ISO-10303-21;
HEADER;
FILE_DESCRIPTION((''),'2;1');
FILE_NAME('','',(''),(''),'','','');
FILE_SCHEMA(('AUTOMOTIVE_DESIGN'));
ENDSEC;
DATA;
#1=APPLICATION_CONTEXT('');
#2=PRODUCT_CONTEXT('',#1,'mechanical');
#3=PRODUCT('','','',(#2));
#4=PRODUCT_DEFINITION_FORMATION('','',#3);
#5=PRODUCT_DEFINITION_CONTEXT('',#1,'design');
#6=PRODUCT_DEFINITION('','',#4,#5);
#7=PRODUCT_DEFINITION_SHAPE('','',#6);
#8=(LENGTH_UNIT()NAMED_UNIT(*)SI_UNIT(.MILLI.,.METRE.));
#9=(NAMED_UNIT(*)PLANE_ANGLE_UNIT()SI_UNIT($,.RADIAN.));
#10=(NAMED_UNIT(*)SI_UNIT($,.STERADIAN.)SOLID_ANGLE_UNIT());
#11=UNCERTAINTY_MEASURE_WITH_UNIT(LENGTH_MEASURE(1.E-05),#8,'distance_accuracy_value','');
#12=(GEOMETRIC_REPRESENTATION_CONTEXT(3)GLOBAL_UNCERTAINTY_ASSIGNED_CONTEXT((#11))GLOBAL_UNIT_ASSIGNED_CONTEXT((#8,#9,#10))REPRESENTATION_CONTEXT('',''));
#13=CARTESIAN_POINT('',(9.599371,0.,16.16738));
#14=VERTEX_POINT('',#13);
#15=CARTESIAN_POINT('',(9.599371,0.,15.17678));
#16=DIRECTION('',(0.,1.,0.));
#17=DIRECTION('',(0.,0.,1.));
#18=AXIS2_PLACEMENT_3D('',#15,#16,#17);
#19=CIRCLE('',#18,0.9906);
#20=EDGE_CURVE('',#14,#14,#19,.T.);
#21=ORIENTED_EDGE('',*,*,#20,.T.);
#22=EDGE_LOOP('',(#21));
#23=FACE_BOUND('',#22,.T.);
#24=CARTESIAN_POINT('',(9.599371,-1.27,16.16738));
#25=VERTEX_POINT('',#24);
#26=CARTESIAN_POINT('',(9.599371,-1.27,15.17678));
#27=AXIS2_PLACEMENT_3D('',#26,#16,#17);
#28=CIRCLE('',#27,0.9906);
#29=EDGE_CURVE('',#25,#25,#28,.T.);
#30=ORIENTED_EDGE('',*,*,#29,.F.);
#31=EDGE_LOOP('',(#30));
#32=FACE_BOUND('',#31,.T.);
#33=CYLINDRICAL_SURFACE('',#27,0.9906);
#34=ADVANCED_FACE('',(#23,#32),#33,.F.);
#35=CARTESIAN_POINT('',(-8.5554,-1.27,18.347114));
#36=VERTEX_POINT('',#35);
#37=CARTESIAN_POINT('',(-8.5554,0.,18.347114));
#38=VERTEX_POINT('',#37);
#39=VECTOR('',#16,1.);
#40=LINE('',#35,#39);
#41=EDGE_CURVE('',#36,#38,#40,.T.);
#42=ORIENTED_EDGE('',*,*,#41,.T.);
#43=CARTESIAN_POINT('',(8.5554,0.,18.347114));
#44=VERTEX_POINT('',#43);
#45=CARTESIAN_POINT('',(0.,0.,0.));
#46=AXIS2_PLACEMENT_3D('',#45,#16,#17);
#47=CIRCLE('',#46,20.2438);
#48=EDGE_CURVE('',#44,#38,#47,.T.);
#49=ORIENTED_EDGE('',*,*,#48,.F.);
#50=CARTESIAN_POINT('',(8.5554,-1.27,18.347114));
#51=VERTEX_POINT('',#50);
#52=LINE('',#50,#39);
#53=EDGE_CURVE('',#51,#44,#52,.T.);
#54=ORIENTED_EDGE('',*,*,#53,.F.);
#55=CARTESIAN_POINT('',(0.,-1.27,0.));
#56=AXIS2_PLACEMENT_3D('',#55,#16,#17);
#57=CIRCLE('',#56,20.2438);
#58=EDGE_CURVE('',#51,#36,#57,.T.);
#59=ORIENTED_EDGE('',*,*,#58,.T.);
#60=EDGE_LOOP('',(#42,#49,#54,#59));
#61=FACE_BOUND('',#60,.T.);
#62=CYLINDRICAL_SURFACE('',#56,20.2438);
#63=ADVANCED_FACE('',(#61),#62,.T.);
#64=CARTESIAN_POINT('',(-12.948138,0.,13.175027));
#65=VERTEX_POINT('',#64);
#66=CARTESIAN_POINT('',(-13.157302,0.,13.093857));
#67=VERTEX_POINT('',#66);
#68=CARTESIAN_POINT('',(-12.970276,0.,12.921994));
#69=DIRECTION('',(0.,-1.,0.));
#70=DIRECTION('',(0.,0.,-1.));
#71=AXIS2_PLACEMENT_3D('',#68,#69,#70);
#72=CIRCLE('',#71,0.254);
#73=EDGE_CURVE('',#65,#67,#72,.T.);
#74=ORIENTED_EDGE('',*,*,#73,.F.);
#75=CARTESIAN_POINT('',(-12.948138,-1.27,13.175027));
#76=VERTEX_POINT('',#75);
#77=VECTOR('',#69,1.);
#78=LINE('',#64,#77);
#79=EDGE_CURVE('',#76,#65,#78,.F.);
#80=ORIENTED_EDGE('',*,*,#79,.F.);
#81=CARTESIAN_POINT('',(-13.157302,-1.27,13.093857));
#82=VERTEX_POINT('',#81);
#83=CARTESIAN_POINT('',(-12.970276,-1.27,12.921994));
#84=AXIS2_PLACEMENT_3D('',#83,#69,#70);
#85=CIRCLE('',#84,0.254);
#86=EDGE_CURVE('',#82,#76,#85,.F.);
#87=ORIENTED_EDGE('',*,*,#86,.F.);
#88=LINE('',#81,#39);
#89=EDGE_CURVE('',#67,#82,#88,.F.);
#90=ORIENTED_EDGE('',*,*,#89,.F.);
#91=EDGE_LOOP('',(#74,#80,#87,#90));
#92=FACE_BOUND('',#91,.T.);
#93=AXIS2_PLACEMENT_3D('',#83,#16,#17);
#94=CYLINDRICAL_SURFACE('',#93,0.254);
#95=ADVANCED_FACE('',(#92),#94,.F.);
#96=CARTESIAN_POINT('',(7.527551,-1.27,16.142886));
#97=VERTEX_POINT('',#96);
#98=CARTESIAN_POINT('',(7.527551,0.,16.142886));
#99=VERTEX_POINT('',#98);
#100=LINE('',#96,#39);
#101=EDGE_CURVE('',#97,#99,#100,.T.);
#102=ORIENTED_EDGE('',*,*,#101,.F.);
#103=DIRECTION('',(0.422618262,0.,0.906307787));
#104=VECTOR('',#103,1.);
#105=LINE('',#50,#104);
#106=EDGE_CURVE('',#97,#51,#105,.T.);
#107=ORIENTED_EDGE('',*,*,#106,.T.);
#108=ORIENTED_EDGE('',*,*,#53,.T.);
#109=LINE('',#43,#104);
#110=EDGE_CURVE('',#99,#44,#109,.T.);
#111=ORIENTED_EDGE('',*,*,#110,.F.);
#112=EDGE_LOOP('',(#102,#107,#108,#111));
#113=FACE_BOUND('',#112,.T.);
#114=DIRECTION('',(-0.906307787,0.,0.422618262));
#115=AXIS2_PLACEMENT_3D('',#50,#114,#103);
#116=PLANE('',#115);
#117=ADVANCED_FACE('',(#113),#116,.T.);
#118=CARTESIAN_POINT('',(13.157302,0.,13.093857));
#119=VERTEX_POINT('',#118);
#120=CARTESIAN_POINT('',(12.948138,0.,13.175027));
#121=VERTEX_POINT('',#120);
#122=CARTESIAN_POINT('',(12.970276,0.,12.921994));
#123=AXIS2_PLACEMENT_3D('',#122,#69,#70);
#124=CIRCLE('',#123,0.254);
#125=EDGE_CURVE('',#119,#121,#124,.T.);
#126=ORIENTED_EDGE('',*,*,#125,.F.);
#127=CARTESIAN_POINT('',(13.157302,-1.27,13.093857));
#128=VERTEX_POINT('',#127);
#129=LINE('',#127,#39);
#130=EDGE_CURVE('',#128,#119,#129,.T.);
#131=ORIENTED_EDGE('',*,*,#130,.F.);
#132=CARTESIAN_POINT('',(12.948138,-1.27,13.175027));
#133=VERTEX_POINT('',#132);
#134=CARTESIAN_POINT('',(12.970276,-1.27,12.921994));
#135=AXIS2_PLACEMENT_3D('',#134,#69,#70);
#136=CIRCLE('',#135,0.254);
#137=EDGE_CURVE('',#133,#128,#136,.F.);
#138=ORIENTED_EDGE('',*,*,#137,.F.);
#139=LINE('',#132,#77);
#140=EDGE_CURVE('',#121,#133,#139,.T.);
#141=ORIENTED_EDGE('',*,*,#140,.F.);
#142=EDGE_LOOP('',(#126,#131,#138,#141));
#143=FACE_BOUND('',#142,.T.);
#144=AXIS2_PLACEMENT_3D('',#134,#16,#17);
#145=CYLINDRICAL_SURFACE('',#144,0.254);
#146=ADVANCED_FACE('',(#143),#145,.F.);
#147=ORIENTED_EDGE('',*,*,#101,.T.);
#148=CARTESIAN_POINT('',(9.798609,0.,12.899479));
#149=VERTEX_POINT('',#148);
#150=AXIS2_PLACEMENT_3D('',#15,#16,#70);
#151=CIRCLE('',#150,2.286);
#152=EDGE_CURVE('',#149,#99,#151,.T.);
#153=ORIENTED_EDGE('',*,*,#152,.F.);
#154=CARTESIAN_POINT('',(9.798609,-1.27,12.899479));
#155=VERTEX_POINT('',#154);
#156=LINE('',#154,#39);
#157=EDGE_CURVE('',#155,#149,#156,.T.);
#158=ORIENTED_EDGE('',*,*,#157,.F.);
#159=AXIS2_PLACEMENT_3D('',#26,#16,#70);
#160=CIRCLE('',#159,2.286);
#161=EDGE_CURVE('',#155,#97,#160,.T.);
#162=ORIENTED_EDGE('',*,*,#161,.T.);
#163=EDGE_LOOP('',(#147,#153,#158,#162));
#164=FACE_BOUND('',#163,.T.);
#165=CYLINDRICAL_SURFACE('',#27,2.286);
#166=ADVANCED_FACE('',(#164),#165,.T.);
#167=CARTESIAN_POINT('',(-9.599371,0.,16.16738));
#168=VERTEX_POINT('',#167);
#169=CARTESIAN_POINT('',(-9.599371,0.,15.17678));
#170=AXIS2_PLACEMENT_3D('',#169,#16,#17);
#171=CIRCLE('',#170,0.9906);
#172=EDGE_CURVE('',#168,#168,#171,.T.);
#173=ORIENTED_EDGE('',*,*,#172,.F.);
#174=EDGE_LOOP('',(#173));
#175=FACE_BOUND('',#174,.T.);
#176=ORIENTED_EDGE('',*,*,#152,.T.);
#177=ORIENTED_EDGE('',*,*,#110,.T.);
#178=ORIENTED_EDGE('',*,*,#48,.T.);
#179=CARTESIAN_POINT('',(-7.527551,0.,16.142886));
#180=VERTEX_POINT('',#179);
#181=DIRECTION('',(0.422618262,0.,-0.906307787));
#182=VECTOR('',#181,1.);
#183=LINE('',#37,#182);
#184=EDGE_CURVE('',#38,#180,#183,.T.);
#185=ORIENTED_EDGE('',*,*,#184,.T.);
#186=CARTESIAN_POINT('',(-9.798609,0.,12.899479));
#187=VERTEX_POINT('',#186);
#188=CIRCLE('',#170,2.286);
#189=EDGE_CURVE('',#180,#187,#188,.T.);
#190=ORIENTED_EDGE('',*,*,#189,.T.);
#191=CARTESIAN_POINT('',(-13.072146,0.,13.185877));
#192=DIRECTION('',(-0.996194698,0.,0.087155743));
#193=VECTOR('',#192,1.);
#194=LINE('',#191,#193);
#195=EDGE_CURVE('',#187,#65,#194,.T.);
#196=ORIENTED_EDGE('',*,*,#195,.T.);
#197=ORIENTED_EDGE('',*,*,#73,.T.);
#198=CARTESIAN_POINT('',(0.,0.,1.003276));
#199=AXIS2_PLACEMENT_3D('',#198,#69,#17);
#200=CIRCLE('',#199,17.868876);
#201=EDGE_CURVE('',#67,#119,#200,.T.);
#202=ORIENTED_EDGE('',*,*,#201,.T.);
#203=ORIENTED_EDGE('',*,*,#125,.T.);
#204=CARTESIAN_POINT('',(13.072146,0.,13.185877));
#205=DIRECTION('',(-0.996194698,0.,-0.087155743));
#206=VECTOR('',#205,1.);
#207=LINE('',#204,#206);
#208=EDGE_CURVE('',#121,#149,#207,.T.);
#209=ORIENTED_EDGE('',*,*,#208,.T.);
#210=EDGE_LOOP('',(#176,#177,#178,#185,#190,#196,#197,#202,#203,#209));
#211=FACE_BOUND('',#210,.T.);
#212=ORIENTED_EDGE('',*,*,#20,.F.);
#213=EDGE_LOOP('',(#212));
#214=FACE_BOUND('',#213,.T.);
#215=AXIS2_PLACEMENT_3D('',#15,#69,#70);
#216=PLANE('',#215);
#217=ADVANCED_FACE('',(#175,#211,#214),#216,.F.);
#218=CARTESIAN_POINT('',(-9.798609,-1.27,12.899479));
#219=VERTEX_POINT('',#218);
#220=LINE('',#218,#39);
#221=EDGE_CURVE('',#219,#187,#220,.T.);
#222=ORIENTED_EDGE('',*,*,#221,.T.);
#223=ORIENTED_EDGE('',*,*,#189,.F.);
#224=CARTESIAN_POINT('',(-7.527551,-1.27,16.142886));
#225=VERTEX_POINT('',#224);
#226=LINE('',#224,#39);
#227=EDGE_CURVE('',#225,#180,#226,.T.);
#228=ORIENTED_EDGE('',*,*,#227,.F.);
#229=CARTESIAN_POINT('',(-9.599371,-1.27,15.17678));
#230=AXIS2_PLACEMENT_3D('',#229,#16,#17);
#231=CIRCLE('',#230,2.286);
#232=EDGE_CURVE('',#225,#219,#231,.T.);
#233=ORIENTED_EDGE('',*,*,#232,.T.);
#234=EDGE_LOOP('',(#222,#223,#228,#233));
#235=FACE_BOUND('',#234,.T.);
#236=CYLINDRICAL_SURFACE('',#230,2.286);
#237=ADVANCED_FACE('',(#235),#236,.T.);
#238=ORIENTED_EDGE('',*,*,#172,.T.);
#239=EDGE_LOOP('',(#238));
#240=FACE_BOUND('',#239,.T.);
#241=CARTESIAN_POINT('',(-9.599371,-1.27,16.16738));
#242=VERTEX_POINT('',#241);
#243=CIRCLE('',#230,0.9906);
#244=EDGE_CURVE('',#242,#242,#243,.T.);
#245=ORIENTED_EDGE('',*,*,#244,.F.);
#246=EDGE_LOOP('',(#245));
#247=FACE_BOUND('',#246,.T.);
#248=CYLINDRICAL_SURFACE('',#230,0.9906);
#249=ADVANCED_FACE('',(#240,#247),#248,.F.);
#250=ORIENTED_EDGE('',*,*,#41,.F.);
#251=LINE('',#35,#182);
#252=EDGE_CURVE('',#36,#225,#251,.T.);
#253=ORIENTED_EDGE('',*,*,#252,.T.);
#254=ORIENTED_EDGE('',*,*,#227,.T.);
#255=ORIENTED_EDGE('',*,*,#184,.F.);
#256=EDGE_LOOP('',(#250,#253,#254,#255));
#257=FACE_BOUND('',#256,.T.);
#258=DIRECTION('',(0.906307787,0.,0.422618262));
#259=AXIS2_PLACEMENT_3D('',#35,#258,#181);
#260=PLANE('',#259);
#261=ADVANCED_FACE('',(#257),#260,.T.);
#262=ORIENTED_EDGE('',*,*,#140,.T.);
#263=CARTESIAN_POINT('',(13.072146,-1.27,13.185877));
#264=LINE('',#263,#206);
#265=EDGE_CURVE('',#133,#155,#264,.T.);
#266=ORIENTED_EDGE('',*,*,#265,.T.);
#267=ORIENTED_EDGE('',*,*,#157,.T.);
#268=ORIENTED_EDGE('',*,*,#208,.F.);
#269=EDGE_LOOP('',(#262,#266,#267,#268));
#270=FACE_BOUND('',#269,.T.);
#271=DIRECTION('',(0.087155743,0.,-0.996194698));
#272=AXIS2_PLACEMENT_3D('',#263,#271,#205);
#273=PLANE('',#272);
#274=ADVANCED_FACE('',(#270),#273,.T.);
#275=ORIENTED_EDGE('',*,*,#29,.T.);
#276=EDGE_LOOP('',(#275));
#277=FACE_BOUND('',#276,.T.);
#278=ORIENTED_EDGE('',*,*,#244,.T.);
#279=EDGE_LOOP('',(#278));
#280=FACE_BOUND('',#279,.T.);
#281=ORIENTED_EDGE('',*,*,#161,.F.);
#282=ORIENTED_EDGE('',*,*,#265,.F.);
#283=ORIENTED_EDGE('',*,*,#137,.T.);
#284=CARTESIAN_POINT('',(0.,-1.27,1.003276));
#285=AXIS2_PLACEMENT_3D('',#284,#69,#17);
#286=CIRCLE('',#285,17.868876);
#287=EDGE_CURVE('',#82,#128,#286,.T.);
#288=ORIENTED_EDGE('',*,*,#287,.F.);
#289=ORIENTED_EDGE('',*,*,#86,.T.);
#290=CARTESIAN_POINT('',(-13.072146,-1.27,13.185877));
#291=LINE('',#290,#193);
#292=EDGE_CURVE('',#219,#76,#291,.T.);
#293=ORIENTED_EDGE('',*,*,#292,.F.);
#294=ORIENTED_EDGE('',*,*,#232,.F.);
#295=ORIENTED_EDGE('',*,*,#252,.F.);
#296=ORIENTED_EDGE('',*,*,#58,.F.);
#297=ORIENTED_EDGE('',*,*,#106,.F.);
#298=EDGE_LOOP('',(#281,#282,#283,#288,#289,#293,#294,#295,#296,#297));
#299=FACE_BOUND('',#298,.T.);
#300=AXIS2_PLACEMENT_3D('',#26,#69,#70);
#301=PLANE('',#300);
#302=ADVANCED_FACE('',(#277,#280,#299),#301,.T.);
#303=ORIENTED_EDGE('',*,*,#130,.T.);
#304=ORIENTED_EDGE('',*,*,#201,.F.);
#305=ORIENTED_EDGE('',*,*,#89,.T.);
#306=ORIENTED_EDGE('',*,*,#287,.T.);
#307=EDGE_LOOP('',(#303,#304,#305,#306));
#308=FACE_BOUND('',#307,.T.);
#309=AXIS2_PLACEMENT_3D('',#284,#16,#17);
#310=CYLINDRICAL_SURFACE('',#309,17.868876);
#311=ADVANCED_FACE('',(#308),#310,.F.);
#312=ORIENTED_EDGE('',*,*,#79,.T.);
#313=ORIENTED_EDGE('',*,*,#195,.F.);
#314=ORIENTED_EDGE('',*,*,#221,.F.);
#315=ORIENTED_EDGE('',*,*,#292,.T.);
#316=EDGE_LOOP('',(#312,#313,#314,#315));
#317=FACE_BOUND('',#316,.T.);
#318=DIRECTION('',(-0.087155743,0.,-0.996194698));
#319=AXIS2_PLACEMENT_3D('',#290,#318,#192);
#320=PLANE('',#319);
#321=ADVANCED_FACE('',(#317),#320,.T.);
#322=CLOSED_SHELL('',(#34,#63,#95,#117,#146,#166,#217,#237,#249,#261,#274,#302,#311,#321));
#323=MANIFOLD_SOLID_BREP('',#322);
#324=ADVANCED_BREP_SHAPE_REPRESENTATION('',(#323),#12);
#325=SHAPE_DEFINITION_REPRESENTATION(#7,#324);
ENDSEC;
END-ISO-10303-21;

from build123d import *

# Parameters (mm, degrees)
SKETCH2_R      = 0.9906
EXTRUDE1_DEPTH = 1.27
FILLET1_R      = 0.254


with BuildPart() as part:
    # Sketch2 → Extrude1 (new body)
    with BuildSketch(Plane(origin=(0, 0, 0), x_dir=(1, 0, 0), z_dir=(0, 1, 0))):
        with BuildLine():
            Line((8.555399567, -18.347113579), (7.527551211, -16.142885666))
            ThreePointArc((7.527551211, -16.142885666), (7.726789239, -13.865584586), (9.79860884, -12.899479239))
            Line((9.79860884, -12.899479239), (13.072145972, -13.185876628))
            ThreePointArc((13.072145972, -13.185876628), (0, 16.8656), (-13.072145972, -13.185876628))
            Line((-13.072145972, -13.185876628), (-9.79860884, -12.899479239))
            ThreePointArc((-9.79860884, -12.899479239), (-7.726789239, -13.865584586), (-7.527551211, -16.142885666))
            Line((-7.527551211, -16.142885666), (-8.555399567, -18.347113579))
            ThreePointArc((-8.555399567, -18.347113579), (0, 20.2438), (8.555399567, -18.347113579))
        make_face()
        with Locations((9.599370812, -15.176780319)):
            Circle(SKETCH2_R, mode=Mode.SUBTRACT)
        with Locations((-9.599370812, -15.176780319)):
            Circle(SKETCH2_R, mode=Mode.SUBTRACT)
    extrude(amount=-EXTRUDE1_DEPTH)

    # Fillet1
    fillet1_edges = [part.edges().sort_by_distance(p)[0] for p in [
        (13.072145972, -0.635, 13.185876628),
        (-13.072145972, -0.635, 13.185876628),
    ]]
    fillet(fillet1_edges, radius=FILLET1_R)


solid = part.part
